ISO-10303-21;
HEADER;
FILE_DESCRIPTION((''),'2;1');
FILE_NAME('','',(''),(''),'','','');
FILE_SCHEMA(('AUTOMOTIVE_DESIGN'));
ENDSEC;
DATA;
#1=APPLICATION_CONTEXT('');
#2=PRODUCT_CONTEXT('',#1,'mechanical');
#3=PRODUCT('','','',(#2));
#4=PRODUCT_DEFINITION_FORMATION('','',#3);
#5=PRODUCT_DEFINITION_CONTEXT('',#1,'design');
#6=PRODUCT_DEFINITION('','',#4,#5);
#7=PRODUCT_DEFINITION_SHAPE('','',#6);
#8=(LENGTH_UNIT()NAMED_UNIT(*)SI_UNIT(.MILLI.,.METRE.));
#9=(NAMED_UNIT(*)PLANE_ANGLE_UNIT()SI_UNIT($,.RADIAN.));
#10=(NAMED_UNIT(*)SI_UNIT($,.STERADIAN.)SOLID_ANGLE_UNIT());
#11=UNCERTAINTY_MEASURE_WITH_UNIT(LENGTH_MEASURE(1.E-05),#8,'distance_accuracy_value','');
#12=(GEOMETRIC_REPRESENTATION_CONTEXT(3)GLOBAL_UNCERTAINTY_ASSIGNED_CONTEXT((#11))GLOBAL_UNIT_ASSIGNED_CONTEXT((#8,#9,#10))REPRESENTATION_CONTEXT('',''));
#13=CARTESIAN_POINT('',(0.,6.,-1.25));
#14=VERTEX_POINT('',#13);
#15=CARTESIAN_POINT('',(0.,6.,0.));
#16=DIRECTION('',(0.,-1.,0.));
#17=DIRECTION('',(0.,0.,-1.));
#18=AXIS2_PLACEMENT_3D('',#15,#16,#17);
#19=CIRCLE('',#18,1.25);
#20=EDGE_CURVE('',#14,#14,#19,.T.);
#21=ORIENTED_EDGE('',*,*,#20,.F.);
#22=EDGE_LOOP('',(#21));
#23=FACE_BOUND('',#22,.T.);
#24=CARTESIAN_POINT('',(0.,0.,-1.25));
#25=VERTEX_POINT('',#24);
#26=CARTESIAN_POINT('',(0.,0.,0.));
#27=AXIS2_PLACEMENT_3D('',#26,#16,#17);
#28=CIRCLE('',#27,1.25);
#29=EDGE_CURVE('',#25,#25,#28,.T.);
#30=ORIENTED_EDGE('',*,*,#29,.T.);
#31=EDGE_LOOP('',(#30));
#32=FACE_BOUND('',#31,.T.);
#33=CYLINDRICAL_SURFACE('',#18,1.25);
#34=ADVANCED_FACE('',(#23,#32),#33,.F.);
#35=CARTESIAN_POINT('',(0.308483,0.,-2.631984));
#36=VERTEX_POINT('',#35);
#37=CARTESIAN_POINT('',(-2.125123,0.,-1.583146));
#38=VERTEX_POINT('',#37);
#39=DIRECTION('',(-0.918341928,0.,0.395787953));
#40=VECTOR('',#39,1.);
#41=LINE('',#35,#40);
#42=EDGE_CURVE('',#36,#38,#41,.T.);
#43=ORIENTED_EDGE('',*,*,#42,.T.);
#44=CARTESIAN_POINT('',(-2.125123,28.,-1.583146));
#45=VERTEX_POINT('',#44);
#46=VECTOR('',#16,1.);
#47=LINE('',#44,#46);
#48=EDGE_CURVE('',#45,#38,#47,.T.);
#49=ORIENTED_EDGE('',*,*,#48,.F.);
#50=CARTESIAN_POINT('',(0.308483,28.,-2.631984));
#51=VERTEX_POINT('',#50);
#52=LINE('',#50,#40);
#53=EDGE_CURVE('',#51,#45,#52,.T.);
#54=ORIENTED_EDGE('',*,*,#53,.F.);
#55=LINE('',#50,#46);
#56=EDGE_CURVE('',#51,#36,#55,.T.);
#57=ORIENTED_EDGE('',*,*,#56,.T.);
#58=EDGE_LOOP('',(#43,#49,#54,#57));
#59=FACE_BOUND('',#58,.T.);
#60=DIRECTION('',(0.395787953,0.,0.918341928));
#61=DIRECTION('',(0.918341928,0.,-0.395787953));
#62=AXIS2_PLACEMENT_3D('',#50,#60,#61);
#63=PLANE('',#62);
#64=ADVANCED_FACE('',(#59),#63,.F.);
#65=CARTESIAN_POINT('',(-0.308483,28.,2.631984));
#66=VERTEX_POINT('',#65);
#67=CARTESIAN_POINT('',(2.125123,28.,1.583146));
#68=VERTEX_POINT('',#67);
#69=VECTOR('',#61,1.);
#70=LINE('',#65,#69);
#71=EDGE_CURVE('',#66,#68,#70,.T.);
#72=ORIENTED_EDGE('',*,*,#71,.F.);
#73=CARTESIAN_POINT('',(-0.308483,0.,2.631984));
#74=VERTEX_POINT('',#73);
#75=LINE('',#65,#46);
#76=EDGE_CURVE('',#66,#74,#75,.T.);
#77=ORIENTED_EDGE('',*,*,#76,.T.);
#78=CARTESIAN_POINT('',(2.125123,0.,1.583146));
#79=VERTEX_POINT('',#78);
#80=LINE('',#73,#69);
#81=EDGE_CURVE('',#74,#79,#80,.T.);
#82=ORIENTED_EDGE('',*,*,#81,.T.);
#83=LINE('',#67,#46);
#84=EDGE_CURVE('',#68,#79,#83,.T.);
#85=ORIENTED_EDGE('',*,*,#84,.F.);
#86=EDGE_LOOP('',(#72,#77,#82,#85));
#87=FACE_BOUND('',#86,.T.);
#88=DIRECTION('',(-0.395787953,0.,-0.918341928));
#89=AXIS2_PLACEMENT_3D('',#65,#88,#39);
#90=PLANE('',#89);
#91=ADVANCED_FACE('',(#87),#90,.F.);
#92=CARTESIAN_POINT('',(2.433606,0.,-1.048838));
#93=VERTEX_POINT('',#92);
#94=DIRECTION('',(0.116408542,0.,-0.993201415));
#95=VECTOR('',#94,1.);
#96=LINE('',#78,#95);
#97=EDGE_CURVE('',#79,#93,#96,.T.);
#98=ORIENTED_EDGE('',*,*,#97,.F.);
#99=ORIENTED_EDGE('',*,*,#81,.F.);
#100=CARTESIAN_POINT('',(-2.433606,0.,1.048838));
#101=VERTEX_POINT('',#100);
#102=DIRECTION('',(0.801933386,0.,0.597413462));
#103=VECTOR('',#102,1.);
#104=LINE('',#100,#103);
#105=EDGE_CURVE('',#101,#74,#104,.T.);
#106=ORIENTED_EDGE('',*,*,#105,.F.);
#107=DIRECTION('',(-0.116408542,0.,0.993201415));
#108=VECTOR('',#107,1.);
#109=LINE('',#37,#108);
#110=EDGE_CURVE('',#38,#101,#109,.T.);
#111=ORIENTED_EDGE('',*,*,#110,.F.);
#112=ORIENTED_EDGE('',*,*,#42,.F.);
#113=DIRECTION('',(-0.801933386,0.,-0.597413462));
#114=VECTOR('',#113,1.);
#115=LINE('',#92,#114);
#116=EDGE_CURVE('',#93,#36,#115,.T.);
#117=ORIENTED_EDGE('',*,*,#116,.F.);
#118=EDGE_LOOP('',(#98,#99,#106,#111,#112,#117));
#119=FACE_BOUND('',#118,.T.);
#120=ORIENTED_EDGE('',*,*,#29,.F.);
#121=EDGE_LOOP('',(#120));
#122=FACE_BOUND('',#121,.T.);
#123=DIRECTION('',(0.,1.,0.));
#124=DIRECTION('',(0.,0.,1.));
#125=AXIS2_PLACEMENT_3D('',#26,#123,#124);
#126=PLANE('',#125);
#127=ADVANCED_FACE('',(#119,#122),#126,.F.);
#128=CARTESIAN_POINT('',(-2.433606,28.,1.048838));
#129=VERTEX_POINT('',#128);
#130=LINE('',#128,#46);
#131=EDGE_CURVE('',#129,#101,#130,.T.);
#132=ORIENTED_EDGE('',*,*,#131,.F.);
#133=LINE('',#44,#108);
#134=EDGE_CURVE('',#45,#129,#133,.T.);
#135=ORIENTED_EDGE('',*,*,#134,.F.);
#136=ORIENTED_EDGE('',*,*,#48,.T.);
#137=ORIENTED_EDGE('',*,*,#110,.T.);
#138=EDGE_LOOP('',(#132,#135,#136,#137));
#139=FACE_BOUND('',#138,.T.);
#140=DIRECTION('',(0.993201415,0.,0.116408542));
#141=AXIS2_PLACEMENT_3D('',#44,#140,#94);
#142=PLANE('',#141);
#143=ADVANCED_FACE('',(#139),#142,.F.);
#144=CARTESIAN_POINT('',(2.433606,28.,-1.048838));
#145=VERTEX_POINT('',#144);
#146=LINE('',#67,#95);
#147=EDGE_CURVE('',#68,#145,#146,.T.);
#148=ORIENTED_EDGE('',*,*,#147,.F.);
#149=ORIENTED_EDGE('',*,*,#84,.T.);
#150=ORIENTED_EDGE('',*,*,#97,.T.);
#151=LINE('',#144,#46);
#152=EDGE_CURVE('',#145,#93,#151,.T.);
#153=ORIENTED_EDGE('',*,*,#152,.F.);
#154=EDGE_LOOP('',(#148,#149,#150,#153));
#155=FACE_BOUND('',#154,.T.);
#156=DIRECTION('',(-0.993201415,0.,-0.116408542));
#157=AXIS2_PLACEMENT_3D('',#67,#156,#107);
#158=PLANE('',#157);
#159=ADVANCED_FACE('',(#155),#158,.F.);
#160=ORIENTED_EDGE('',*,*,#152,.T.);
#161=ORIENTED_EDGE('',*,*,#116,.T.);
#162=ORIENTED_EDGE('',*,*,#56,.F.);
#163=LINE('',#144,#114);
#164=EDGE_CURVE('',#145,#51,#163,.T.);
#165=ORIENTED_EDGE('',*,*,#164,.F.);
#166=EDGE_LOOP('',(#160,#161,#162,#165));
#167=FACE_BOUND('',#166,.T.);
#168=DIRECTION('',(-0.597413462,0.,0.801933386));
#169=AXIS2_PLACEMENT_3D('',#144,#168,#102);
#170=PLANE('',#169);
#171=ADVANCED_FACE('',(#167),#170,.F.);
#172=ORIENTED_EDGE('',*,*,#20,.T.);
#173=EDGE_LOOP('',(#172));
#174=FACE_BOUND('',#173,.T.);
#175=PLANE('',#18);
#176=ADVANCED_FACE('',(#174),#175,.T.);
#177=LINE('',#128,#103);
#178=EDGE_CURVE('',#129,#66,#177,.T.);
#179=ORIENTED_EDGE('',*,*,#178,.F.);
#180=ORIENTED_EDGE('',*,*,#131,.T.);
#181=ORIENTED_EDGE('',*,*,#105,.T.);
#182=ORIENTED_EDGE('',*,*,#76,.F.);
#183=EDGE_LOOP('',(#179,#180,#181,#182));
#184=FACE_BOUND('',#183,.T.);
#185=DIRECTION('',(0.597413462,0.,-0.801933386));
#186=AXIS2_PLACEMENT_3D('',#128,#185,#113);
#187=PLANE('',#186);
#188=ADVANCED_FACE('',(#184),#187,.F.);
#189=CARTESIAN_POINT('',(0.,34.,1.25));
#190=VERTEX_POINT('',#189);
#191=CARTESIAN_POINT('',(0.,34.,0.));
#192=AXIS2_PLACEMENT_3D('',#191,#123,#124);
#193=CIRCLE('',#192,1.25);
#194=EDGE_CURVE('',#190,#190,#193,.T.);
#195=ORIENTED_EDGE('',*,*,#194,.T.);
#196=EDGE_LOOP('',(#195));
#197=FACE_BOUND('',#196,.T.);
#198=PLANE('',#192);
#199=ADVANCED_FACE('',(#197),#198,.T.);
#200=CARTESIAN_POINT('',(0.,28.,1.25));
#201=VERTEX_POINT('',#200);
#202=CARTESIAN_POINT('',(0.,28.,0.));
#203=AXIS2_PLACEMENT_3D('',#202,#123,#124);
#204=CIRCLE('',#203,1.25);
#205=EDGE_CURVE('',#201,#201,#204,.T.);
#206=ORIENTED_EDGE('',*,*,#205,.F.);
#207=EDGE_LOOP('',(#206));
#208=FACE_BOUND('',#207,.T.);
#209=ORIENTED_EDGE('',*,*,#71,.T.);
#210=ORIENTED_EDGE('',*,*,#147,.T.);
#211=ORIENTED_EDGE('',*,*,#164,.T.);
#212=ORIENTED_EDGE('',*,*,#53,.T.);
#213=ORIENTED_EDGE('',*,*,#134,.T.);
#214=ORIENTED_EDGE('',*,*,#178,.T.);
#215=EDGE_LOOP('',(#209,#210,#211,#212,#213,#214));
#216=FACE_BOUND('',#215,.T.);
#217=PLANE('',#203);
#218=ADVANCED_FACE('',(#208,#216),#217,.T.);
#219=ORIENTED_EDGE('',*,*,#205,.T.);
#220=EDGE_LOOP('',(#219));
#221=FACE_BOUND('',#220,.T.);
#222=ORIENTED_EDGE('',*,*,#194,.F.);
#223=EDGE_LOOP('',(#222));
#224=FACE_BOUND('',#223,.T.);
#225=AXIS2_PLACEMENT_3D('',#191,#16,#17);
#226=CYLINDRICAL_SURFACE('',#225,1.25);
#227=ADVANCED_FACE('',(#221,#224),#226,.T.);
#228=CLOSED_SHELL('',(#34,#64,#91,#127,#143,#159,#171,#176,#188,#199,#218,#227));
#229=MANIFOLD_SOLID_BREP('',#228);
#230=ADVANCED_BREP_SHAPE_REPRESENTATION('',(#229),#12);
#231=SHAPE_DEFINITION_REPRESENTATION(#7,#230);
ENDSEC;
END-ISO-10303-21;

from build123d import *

# Parameters (mm, degrees)
EXTRUDE_1_DEPTH     = 28
SKETCH_2_R          = 1.25
EXTRUDE_2_DEPTH     = 6
SKETCH_3_R          = 1.25
CUT_EXTRUDE_1_DEPTH = 6


with BuildPart() as part:
    # 草图1 → 凸台-拉伸1 (new body)
    with BuildSketch(Plane(origin=(0, 0, 0), x_dir=(1, 0, 0), z_dir=(0, 1, 0))):
        Polygon((2.125123473, -1.583145674), (2.433606108, 1.048838076), (0.308482635, 2.631983751), (-2.125123473, 1.583145674), (-2.433606108, -1.048838076), (-0.308482635, -2.631983751), align=None)
    extrude(amount=EXTRUDE_1_DEPTH)

    # 草图2 → 凸台-拉伸2 (add)
    with BuildSketch(Plane(origin=(0, 28, 0), x_dir=(1, 0, 0), z_dir=(0, 1, 0))):
        Circle(SKETCH_2_R)
    extrude(amount=EXTRUDE_2_DEPTH)

    # 草图3 → 切除-拉伸1 (cut)
    with BuildSketch(Plane.XZ):
        Circle(SKETCH_3_R)
    extrude(amount=-CUT_EXTRUDE_1_DEPTH, mode=Mode.SUBTRACT)


solid = part.part
